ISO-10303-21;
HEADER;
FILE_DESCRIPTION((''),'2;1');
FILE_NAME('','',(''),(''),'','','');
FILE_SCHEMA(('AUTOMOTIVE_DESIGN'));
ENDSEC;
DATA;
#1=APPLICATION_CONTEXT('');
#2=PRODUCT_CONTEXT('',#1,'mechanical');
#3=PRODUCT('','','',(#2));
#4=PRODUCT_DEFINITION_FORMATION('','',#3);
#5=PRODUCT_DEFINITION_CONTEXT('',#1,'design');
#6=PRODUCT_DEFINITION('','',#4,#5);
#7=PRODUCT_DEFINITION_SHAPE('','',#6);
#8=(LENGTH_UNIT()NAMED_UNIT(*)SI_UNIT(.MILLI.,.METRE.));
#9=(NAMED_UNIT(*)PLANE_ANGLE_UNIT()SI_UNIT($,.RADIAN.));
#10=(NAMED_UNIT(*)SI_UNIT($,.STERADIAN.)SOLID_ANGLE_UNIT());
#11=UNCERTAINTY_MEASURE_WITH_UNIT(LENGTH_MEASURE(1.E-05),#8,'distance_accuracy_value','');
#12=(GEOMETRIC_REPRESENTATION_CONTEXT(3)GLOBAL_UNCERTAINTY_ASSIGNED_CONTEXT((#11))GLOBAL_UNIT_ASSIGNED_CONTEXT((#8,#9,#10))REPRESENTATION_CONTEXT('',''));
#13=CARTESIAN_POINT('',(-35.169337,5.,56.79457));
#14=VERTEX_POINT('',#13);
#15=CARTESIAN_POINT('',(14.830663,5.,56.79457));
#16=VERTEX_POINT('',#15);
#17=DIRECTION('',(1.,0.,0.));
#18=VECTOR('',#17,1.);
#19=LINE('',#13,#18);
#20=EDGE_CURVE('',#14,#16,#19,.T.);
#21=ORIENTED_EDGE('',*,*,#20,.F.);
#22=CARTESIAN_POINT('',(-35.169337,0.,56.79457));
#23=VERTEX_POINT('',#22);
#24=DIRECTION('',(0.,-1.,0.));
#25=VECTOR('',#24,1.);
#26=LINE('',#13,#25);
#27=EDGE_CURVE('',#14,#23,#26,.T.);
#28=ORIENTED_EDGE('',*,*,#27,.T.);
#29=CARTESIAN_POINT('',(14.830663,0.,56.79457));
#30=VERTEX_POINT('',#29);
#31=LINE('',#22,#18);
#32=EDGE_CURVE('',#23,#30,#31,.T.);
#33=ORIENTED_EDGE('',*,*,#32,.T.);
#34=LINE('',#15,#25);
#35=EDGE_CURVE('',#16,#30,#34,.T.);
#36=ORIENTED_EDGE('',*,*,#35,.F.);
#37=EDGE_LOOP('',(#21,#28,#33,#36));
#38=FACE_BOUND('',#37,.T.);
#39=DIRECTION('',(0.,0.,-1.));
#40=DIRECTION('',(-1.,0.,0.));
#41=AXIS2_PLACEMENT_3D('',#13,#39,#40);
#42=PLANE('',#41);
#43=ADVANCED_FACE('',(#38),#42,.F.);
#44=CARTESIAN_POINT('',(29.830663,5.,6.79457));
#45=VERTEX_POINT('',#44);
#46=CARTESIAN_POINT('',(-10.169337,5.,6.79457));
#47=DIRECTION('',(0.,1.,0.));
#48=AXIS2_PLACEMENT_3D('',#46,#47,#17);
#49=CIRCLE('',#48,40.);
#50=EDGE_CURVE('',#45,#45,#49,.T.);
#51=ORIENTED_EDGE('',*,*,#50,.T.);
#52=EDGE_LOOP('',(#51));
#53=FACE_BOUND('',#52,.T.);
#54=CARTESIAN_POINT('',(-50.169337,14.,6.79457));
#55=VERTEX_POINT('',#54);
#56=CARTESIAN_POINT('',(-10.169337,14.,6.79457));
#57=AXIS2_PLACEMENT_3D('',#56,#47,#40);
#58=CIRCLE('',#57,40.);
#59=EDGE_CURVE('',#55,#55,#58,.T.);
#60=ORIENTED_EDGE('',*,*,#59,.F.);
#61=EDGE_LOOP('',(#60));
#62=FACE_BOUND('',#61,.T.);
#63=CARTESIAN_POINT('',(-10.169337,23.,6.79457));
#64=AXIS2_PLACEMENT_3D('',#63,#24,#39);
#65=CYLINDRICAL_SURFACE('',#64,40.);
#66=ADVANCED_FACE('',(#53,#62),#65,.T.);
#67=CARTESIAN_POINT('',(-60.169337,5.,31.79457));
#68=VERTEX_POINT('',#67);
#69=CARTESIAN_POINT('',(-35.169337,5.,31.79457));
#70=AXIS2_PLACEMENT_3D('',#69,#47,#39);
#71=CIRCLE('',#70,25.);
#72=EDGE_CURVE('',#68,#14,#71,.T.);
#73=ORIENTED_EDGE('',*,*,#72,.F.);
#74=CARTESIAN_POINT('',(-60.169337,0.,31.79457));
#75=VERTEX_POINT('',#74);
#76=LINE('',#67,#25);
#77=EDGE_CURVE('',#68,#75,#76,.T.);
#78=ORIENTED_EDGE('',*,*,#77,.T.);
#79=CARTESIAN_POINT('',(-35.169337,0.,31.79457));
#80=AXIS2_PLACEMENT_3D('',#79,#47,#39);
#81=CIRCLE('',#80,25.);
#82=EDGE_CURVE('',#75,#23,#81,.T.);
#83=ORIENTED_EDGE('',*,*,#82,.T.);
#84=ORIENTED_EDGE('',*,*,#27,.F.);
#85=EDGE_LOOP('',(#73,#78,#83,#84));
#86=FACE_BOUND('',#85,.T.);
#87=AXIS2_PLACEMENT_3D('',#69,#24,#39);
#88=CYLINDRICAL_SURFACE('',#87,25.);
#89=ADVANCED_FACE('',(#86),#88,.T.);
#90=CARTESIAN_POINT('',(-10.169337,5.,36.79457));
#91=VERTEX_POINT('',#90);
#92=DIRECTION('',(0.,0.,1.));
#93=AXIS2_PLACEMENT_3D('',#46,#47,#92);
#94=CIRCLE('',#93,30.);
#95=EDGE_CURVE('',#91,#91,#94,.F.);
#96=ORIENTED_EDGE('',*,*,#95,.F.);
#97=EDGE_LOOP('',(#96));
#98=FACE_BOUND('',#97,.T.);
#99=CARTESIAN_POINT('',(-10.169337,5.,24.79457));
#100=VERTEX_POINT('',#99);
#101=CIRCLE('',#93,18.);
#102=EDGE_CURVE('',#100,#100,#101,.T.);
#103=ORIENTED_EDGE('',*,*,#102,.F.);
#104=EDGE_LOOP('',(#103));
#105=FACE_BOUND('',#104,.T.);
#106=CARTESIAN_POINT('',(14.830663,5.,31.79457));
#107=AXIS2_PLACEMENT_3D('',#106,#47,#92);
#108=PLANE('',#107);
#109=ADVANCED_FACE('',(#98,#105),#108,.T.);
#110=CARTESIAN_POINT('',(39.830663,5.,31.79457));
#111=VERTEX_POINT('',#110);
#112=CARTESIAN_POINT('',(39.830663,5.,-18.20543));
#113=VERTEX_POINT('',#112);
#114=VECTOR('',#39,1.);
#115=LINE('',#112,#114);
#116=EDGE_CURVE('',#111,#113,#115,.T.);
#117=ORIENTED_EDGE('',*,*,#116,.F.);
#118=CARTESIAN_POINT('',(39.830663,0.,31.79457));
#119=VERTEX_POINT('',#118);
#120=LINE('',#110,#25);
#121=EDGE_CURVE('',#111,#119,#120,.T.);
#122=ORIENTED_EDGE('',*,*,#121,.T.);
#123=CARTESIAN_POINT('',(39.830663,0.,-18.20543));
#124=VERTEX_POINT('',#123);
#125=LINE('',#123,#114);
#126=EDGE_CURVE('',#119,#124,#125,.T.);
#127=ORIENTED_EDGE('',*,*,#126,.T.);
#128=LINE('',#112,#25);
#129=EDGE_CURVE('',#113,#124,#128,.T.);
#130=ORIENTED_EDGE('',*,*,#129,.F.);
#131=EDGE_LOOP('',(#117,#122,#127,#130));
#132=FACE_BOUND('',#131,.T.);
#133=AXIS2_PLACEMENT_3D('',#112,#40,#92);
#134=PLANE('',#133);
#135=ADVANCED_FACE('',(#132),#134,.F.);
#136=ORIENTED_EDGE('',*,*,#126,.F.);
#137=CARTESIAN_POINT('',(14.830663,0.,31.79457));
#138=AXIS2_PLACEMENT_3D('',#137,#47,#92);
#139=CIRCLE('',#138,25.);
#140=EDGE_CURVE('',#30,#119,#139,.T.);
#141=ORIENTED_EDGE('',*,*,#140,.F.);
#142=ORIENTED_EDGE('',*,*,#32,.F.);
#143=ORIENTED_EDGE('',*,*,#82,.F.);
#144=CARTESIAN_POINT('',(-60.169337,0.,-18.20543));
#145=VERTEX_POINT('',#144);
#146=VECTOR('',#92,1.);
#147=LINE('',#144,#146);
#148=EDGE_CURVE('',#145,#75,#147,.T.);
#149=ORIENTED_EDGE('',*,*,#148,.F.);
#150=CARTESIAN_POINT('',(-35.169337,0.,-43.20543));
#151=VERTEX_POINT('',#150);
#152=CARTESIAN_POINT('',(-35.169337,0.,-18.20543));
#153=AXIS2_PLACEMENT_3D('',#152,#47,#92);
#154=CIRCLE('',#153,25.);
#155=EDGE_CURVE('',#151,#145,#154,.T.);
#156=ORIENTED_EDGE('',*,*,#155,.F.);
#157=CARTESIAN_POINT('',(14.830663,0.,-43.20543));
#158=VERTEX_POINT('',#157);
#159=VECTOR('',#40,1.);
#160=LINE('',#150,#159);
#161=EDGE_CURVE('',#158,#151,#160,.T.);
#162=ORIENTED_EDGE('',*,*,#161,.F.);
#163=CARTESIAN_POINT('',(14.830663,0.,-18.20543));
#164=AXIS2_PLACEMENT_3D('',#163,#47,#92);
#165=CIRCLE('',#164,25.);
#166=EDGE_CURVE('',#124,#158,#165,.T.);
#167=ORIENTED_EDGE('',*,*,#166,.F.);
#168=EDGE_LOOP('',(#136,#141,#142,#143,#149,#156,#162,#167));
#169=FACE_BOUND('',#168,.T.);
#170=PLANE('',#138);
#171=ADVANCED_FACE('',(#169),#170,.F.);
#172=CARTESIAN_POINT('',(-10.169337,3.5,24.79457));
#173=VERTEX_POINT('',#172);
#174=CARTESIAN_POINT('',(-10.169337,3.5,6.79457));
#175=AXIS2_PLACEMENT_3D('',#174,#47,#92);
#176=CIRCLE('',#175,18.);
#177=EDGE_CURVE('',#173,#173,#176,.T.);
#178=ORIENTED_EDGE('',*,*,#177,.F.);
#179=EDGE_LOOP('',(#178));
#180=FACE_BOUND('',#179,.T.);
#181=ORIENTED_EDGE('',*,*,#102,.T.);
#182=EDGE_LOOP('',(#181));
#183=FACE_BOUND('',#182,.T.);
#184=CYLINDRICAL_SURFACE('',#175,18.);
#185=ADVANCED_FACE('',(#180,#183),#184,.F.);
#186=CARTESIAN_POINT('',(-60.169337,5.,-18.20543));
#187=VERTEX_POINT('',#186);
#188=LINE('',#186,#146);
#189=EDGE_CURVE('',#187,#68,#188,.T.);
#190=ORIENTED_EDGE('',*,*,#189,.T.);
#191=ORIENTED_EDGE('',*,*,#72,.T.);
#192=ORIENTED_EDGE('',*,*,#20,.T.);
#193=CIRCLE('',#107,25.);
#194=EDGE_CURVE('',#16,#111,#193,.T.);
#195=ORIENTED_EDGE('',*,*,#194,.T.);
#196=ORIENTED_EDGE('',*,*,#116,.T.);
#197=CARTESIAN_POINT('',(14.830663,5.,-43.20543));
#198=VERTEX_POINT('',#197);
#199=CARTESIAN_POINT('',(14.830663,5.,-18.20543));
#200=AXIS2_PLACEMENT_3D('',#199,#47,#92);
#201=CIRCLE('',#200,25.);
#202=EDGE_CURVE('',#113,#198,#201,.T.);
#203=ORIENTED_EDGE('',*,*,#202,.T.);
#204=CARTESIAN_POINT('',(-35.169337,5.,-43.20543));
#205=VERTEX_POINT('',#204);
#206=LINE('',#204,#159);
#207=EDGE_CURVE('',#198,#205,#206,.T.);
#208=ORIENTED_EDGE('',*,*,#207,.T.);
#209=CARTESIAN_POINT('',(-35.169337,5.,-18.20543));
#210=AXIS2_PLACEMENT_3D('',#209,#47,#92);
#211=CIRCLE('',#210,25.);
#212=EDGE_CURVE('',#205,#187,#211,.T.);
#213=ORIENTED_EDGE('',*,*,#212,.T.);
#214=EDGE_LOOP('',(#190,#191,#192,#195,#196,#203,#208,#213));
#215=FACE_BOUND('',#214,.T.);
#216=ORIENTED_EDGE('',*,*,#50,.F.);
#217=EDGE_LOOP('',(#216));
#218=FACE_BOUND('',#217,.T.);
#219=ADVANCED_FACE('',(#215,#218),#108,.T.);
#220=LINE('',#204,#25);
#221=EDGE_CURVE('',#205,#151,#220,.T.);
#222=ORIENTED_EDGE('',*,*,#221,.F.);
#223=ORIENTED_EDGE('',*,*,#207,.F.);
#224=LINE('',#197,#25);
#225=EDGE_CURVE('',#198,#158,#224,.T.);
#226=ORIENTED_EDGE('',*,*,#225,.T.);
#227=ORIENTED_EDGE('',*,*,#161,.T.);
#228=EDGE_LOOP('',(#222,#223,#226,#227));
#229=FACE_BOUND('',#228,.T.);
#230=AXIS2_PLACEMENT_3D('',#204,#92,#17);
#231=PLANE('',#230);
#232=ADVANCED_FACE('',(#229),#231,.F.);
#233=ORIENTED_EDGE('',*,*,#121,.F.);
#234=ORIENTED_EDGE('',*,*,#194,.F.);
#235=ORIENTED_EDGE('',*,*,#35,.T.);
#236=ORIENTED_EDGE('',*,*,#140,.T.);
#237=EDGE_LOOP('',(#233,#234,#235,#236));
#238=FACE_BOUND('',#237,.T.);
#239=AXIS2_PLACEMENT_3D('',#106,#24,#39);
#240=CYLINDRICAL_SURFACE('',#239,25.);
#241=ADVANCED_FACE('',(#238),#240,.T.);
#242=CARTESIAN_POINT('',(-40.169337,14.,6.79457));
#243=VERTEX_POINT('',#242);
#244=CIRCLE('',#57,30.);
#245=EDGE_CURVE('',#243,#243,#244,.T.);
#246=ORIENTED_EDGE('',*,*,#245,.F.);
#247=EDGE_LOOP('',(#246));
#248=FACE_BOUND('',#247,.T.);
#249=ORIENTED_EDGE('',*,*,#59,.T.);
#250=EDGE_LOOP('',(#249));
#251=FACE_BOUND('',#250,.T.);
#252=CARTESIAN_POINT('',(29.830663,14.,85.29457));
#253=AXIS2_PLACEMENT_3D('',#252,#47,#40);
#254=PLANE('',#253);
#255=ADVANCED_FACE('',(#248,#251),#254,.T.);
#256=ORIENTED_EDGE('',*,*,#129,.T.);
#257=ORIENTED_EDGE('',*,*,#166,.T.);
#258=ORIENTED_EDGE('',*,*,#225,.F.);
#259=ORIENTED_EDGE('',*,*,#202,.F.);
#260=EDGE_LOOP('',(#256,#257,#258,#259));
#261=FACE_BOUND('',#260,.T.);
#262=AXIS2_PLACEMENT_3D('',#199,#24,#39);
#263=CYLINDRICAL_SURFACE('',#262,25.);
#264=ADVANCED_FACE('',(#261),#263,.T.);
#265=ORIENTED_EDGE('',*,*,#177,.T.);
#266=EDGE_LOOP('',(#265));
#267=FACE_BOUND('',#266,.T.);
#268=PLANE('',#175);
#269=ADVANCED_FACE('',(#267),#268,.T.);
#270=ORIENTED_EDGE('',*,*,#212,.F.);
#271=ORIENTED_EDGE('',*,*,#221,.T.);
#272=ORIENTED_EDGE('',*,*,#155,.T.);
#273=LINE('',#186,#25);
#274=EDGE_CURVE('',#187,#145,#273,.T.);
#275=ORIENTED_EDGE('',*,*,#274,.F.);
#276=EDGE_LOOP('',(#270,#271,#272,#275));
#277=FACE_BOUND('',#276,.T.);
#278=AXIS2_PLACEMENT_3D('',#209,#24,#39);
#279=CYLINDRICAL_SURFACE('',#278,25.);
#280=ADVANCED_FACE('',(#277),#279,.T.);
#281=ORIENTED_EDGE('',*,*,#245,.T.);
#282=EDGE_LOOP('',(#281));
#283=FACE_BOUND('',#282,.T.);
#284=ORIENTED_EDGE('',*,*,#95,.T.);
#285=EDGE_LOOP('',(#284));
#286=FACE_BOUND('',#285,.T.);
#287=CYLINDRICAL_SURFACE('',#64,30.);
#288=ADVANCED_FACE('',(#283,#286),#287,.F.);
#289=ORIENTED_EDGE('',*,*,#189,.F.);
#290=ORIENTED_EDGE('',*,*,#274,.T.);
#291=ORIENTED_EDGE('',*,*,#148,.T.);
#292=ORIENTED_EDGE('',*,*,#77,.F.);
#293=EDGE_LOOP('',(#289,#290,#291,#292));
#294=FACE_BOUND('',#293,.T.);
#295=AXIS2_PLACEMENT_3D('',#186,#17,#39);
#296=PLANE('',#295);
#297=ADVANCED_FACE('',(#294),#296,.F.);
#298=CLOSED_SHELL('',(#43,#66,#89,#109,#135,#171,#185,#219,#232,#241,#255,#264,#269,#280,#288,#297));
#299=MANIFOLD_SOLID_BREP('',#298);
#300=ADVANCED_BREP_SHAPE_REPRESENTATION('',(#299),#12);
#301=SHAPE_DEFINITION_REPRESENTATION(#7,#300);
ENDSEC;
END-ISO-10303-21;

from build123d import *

# Parameters (mm, degrees)
RESSALTO_EXTRUS_O1_DEPTH = 5
ESBO_O2_R                = 40
ESBO_O2_R_2              = 30
EXTRUS_O_FINA1_DEPTH     = 18
ESBO_O7_R                = 18
CORTE_EXTRUS_O2_DEPTH    = 1.5
CORTE_EXTRUS_O9_DEPTH    = 128.5


with BuildPart() as part:
    # Esboço1 → Ressalto-extrusão1 (new body)
    with BuildSketch(Plane(origin=(0, 0, 0), x_dir=(1, 0, 0), z_dir=(0, 1, 0))):
        with BuildLine():
            Line((-35.169337018, 43.205430296), (14.830662982, 43.205430296))
            ThreePointArc((14.830662982, 43.205430296), (32.508332512, 35.883099826), (39.830662982, 18.205430296))
            Line((39.830662982, 18.205430296), (39.830662982, -31.794569704))
            ThreePointArc((39.830662982, -31.794569704), (32.508332512, -49.472239233), (14.830662982, -56.794569704))
            Line((14.830662982, -56.794569704), (-35.169337018, -56.794569704))
            ThreePointArc((-35.169337018, -56.794569704), (-52.847006547, -49.472239233), (-60.169337018, -31.794569704))
            Line((-60.169337018, -31.794569704), (-60.169337018, 18.205430296))
            ThreePointArc((-60.169337018, 18.205430296), (-52.847006547, 35.883099826), (-35.169337018, 43.205430296))
        make_face()
    extrude(amount=RESSALTO_EXTRUS_O1_DEPTH)

    # Esboço2 → Extrusão-Fina1 (add)
    with BuildSketch(Plane(origin=(0, 5, 0), x_dir=(1, 0, 0), z_dir=(0, 1, 0))):
        with Locations((-10.169337018, -6.794569704)):
            Circle(ESBO_O2_R)
        with Locations((-10.169337018, -6.794569704)):
            Circle(ESBO_O2_R_2, mode=Mode.SUBTRACT)
    extrude(amount=EXTRUS_O_FINA1_DEPTH)

    # Esboço7 → Corte-extrusão2 (cut)
    with BuildSketch(Plane(origin=(0, 5, 0), x_dir=(1, 0, 0), z_dir=(0, 1, 0))):
        with Locations(Location((-10.169337018, -6.794569704, 0), (0, 0, 270))):
            Circle(ESBO_O7_R)
    extrude(amount=-CORTE_EXTRUS_O2_DEPTH, mode=Mode.SUBTRACT)

    # Esboço16 → Corte-extrusão9 (cut)
    with BuildSketch(Plane(origin=(0, 0, -43.205430296), x_dir=(-1, 0, 0), z_dir=(0, 0, -1))):
        Polygon((-29.830662982, 14), (64.710384206, 14), (64.710384206, 40.871723048), (-29.830662982, 40.871723048), (-67.520218161, 40.871723048), (-67.520218161, 14), align=None)
    extrude(amount=-CORTE_EXTRUS_O9_DEPTH, mode=Mode.SUBTRACT)


solid = part.part
